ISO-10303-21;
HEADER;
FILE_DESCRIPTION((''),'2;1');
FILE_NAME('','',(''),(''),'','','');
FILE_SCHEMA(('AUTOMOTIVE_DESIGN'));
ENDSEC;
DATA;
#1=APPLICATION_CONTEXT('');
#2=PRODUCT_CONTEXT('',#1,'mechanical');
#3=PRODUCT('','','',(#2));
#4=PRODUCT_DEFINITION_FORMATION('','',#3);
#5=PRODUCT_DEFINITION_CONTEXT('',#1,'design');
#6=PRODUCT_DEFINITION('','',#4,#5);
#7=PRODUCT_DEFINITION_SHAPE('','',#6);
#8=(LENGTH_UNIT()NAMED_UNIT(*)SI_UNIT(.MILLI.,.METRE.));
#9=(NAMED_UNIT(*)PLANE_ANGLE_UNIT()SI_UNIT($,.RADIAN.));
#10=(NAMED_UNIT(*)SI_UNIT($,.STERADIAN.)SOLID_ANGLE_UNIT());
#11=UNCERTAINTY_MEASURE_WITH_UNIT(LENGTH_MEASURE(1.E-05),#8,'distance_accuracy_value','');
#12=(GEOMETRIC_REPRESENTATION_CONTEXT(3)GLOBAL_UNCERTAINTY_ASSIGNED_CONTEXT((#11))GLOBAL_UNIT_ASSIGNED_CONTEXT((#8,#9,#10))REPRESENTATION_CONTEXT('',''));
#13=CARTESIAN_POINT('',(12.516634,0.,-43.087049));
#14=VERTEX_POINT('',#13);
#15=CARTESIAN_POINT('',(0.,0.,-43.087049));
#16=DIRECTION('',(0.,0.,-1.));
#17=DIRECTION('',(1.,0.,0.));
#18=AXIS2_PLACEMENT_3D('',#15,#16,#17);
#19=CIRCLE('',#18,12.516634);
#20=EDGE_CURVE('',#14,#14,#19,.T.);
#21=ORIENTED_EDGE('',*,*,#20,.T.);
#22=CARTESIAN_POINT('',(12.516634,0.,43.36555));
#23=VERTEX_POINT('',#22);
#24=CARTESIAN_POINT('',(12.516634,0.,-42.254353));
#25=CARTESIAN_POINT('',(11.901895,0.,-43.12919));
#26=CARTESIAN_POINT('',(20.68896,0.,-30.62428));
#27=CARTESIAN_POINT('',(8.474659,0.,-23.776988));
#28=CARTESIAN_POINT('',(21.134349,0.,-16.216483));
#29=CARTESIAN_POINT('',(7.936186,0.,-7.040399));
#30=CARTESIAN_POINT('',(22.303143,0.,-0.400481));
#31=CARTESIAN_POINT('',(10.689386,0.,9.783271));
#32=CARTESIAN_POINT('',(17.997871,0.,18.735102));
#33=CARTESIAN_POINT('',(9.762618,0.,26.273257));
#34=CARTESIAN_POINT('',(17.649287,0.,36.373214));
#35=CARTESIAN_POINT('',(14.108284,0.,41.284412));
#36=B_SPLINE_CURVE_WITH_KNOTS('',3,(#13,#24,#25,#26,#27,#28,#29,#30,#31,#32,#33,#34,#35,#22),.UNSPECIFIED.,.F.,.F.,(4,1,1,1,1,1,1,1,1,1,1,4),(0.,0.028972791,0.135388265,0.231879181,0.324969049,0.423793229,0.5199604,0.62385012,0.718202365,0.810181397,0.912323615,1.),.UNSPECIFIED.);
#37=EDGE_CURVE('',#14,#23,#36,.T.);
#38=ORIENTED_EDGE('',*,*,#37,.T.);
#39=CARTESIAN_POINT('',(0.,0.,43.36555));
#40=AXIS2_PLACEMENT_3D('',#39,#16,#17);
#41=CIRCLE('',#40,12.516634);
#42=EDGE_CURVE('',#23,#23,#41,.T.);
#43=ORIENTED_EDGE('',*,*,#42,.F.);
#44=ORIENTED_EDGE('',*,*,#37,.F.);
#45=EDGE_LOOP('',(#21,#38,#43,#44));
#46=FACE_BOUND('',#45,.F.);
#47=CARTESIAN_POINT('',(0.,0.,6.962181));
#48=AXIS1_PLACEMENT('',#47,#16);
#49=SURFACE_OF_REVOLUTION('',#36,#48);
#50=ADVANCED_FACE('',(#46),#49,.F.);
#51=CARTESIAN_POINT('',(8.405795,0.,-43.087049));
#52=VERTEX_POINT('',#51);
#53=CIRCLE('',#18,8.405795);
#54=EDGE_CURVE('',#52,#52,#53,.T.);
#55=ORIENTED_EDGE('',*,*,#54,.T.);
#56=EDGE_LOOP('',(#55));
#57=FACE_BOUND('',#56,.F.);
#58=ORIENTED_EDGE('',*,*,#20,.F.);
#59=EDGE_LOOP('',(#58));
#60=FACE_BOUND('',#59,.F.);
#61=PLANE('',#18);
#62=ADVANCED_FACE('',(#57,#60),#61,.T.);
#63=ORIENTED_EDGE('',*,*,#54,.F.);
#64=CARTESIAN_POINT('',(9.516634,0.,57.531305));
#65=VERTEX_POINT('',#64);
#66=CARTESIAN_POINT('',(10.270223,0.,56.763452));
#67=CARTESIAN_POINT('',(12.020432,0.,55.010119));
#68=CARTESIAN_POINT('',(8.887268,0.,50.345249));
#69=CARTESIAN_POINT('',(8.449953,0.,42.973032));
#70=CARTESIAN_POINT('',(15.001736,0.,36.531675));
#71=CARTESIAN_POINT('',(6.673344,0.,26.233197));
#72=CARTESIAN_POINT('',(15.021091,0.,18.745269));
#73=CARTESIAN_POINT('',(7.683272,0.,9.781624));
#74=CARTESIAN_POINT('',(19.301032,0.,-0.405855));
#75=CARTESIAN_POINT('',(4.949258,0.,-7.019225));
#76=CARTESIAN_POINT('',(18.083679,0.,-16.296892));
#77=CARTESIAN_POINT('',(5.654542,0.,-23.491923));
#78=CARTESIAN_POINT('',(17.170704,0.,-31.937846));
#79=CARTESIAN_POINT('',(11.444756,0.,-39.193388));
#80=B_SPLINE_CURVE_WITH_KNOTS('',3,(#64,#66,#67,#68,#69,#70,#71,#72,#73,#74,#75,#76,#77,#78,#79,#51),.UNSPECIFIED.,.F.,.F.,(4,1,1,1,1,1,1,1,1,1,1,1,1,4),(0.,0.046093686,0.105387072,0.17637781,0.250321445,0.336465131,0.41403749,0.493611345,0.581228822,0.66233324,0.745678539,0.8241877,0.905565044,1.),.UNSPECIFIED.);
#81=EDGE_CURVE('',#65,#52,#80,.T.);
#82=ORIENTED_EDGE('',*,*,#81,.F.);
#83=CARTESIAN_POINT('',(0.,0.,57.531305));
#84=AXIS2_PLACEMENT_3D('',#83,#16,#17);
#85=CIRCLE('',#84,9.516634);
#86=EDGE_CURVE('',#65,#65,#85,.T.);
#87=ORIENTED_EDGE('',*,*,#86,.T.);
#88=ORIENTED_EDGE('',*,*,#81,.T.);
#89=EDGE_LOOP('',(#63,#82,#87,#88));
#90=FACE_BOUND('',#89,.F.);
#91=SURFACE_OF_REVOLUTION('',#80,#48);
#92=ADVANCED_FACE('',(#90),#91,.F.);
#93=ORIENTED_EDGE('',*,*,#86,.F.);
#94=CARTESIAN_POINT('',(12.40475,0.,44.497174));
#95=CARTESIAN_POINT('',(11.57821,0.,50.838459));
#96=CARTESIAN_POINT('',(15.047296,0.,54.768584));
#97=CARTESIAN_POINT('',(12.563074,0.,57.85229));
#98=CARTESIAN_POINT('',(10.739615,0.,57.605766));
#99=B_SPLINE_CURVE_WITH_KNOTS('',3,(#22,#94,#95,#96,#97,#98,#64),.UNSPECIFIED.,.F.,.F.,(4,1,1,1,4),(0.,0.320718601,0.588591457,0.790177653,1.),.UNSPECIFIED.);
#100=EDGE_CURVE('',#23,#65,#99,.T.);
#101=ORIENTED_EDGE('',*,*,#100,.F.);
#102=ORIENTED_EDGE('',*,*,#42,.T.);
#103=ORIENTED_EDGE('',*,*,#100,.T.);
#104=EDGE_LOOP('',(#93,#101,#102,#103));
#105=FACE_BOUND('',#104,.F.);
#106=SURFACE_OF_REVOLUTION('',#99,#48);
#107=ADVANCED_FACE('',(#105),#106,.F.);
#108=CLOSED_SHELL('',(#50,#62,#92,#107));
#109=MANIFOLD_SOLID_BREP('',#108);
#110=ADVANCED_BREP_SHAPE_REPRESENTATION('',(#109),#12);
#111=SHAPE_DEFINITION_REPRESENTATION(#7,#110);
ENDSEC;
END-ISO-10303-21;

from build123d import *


with BuildPart() as f2:
    # F0 (on Front) → F2 (revolve)
    with BuildSketch(Plane.XZ):
        with BuildLine():
            Line((8.4057952072, -43.0870493969), (12.5166338641, -43.0870493969))
            add(Edge.make_bspline(
                [(12.5166338641, -43.0870493969), (12.5166338641, -42.2543525822), (11.9018954082, -43.1291895285), (20.6889596805, -30.624280487), (8.4746590319, -23.7769882272), (21.1343490171, -16.2164832605), (7.9361862593, -7.0403988111), (22.3031434579, -0.4004810394), (10.6893859474, 9.7832714795), (17.9978705578, 18.7351020256), (9.7626182151, 26.2732573194), (17.6492871916, 36.3732144021), (14.1082837094, 41.2844121589), (12.5166338641, 43.3655495622)],
                knots=[0, 0, 0, 0, 0.0289727905, 0.1353882647, 0.2318791808, 0.3249690493, 0.423793229, 0.5199604004, 0.6238501204, 0.7182023653, 0.8101813969, 0.9123236155, 1, 1, 1, 1], degree=3))
            add(Edge.make_bspline(
                [(12.5166338641, 43.3655495622), (12.404749559, 44.4971742079), (11.578209545, 50.8384590484), (15.0472956091, 54.7685841762), (12.5630743342, 57.8522899628), (10.7396146872, 57.6057663285), (9.5166338641, 57.5313046575)],
                knots=[0, 0, 0, 0, 0.3207186009, 0.5885914571, 0.7901776529, 1, 1, 1, 1], degree=3))
            add(Edge.make_bspline(
                [(9.5166338641, 57.5313046575), (10.2702228673, 56.7634518834), (12.0204316233, 55.0101194921), (8.8872676726, 50.345248515), (8.4499529352, 42.9730321765), (15.0017363658, 36.5316750449), (6.6733444181, 26.2331971463), (15.0210911884, 18.745268912), (7.6832717446, 9.781624153), (19.3010316475, -0.4058547289), (4.9492577765, -7.0192246217), (18.0836792529, -16.2968924592), (5.6545422548, -23.4919231013), (17.1707043329, -31.9378459909), (11.4447563454, -39.1933875943), (8.4057952072, -43.0870493969)],
                knots=[0, 0, 0, 0, 0.0460936858, 0.1053870718, 0.17637781, 0.2503214451, 0.3364651311, 0.4140374898, 0.4936113454, 0.5812288218, 0.6623332405, 0.745678539, 0.8241877002, 0.9055650443, 1, 1, 1, 1], degree=3))
        make_face()
    revolve(axis=Axis((0, 0, 6.962181069), (0, 0, -1)))


solid = f2.part
